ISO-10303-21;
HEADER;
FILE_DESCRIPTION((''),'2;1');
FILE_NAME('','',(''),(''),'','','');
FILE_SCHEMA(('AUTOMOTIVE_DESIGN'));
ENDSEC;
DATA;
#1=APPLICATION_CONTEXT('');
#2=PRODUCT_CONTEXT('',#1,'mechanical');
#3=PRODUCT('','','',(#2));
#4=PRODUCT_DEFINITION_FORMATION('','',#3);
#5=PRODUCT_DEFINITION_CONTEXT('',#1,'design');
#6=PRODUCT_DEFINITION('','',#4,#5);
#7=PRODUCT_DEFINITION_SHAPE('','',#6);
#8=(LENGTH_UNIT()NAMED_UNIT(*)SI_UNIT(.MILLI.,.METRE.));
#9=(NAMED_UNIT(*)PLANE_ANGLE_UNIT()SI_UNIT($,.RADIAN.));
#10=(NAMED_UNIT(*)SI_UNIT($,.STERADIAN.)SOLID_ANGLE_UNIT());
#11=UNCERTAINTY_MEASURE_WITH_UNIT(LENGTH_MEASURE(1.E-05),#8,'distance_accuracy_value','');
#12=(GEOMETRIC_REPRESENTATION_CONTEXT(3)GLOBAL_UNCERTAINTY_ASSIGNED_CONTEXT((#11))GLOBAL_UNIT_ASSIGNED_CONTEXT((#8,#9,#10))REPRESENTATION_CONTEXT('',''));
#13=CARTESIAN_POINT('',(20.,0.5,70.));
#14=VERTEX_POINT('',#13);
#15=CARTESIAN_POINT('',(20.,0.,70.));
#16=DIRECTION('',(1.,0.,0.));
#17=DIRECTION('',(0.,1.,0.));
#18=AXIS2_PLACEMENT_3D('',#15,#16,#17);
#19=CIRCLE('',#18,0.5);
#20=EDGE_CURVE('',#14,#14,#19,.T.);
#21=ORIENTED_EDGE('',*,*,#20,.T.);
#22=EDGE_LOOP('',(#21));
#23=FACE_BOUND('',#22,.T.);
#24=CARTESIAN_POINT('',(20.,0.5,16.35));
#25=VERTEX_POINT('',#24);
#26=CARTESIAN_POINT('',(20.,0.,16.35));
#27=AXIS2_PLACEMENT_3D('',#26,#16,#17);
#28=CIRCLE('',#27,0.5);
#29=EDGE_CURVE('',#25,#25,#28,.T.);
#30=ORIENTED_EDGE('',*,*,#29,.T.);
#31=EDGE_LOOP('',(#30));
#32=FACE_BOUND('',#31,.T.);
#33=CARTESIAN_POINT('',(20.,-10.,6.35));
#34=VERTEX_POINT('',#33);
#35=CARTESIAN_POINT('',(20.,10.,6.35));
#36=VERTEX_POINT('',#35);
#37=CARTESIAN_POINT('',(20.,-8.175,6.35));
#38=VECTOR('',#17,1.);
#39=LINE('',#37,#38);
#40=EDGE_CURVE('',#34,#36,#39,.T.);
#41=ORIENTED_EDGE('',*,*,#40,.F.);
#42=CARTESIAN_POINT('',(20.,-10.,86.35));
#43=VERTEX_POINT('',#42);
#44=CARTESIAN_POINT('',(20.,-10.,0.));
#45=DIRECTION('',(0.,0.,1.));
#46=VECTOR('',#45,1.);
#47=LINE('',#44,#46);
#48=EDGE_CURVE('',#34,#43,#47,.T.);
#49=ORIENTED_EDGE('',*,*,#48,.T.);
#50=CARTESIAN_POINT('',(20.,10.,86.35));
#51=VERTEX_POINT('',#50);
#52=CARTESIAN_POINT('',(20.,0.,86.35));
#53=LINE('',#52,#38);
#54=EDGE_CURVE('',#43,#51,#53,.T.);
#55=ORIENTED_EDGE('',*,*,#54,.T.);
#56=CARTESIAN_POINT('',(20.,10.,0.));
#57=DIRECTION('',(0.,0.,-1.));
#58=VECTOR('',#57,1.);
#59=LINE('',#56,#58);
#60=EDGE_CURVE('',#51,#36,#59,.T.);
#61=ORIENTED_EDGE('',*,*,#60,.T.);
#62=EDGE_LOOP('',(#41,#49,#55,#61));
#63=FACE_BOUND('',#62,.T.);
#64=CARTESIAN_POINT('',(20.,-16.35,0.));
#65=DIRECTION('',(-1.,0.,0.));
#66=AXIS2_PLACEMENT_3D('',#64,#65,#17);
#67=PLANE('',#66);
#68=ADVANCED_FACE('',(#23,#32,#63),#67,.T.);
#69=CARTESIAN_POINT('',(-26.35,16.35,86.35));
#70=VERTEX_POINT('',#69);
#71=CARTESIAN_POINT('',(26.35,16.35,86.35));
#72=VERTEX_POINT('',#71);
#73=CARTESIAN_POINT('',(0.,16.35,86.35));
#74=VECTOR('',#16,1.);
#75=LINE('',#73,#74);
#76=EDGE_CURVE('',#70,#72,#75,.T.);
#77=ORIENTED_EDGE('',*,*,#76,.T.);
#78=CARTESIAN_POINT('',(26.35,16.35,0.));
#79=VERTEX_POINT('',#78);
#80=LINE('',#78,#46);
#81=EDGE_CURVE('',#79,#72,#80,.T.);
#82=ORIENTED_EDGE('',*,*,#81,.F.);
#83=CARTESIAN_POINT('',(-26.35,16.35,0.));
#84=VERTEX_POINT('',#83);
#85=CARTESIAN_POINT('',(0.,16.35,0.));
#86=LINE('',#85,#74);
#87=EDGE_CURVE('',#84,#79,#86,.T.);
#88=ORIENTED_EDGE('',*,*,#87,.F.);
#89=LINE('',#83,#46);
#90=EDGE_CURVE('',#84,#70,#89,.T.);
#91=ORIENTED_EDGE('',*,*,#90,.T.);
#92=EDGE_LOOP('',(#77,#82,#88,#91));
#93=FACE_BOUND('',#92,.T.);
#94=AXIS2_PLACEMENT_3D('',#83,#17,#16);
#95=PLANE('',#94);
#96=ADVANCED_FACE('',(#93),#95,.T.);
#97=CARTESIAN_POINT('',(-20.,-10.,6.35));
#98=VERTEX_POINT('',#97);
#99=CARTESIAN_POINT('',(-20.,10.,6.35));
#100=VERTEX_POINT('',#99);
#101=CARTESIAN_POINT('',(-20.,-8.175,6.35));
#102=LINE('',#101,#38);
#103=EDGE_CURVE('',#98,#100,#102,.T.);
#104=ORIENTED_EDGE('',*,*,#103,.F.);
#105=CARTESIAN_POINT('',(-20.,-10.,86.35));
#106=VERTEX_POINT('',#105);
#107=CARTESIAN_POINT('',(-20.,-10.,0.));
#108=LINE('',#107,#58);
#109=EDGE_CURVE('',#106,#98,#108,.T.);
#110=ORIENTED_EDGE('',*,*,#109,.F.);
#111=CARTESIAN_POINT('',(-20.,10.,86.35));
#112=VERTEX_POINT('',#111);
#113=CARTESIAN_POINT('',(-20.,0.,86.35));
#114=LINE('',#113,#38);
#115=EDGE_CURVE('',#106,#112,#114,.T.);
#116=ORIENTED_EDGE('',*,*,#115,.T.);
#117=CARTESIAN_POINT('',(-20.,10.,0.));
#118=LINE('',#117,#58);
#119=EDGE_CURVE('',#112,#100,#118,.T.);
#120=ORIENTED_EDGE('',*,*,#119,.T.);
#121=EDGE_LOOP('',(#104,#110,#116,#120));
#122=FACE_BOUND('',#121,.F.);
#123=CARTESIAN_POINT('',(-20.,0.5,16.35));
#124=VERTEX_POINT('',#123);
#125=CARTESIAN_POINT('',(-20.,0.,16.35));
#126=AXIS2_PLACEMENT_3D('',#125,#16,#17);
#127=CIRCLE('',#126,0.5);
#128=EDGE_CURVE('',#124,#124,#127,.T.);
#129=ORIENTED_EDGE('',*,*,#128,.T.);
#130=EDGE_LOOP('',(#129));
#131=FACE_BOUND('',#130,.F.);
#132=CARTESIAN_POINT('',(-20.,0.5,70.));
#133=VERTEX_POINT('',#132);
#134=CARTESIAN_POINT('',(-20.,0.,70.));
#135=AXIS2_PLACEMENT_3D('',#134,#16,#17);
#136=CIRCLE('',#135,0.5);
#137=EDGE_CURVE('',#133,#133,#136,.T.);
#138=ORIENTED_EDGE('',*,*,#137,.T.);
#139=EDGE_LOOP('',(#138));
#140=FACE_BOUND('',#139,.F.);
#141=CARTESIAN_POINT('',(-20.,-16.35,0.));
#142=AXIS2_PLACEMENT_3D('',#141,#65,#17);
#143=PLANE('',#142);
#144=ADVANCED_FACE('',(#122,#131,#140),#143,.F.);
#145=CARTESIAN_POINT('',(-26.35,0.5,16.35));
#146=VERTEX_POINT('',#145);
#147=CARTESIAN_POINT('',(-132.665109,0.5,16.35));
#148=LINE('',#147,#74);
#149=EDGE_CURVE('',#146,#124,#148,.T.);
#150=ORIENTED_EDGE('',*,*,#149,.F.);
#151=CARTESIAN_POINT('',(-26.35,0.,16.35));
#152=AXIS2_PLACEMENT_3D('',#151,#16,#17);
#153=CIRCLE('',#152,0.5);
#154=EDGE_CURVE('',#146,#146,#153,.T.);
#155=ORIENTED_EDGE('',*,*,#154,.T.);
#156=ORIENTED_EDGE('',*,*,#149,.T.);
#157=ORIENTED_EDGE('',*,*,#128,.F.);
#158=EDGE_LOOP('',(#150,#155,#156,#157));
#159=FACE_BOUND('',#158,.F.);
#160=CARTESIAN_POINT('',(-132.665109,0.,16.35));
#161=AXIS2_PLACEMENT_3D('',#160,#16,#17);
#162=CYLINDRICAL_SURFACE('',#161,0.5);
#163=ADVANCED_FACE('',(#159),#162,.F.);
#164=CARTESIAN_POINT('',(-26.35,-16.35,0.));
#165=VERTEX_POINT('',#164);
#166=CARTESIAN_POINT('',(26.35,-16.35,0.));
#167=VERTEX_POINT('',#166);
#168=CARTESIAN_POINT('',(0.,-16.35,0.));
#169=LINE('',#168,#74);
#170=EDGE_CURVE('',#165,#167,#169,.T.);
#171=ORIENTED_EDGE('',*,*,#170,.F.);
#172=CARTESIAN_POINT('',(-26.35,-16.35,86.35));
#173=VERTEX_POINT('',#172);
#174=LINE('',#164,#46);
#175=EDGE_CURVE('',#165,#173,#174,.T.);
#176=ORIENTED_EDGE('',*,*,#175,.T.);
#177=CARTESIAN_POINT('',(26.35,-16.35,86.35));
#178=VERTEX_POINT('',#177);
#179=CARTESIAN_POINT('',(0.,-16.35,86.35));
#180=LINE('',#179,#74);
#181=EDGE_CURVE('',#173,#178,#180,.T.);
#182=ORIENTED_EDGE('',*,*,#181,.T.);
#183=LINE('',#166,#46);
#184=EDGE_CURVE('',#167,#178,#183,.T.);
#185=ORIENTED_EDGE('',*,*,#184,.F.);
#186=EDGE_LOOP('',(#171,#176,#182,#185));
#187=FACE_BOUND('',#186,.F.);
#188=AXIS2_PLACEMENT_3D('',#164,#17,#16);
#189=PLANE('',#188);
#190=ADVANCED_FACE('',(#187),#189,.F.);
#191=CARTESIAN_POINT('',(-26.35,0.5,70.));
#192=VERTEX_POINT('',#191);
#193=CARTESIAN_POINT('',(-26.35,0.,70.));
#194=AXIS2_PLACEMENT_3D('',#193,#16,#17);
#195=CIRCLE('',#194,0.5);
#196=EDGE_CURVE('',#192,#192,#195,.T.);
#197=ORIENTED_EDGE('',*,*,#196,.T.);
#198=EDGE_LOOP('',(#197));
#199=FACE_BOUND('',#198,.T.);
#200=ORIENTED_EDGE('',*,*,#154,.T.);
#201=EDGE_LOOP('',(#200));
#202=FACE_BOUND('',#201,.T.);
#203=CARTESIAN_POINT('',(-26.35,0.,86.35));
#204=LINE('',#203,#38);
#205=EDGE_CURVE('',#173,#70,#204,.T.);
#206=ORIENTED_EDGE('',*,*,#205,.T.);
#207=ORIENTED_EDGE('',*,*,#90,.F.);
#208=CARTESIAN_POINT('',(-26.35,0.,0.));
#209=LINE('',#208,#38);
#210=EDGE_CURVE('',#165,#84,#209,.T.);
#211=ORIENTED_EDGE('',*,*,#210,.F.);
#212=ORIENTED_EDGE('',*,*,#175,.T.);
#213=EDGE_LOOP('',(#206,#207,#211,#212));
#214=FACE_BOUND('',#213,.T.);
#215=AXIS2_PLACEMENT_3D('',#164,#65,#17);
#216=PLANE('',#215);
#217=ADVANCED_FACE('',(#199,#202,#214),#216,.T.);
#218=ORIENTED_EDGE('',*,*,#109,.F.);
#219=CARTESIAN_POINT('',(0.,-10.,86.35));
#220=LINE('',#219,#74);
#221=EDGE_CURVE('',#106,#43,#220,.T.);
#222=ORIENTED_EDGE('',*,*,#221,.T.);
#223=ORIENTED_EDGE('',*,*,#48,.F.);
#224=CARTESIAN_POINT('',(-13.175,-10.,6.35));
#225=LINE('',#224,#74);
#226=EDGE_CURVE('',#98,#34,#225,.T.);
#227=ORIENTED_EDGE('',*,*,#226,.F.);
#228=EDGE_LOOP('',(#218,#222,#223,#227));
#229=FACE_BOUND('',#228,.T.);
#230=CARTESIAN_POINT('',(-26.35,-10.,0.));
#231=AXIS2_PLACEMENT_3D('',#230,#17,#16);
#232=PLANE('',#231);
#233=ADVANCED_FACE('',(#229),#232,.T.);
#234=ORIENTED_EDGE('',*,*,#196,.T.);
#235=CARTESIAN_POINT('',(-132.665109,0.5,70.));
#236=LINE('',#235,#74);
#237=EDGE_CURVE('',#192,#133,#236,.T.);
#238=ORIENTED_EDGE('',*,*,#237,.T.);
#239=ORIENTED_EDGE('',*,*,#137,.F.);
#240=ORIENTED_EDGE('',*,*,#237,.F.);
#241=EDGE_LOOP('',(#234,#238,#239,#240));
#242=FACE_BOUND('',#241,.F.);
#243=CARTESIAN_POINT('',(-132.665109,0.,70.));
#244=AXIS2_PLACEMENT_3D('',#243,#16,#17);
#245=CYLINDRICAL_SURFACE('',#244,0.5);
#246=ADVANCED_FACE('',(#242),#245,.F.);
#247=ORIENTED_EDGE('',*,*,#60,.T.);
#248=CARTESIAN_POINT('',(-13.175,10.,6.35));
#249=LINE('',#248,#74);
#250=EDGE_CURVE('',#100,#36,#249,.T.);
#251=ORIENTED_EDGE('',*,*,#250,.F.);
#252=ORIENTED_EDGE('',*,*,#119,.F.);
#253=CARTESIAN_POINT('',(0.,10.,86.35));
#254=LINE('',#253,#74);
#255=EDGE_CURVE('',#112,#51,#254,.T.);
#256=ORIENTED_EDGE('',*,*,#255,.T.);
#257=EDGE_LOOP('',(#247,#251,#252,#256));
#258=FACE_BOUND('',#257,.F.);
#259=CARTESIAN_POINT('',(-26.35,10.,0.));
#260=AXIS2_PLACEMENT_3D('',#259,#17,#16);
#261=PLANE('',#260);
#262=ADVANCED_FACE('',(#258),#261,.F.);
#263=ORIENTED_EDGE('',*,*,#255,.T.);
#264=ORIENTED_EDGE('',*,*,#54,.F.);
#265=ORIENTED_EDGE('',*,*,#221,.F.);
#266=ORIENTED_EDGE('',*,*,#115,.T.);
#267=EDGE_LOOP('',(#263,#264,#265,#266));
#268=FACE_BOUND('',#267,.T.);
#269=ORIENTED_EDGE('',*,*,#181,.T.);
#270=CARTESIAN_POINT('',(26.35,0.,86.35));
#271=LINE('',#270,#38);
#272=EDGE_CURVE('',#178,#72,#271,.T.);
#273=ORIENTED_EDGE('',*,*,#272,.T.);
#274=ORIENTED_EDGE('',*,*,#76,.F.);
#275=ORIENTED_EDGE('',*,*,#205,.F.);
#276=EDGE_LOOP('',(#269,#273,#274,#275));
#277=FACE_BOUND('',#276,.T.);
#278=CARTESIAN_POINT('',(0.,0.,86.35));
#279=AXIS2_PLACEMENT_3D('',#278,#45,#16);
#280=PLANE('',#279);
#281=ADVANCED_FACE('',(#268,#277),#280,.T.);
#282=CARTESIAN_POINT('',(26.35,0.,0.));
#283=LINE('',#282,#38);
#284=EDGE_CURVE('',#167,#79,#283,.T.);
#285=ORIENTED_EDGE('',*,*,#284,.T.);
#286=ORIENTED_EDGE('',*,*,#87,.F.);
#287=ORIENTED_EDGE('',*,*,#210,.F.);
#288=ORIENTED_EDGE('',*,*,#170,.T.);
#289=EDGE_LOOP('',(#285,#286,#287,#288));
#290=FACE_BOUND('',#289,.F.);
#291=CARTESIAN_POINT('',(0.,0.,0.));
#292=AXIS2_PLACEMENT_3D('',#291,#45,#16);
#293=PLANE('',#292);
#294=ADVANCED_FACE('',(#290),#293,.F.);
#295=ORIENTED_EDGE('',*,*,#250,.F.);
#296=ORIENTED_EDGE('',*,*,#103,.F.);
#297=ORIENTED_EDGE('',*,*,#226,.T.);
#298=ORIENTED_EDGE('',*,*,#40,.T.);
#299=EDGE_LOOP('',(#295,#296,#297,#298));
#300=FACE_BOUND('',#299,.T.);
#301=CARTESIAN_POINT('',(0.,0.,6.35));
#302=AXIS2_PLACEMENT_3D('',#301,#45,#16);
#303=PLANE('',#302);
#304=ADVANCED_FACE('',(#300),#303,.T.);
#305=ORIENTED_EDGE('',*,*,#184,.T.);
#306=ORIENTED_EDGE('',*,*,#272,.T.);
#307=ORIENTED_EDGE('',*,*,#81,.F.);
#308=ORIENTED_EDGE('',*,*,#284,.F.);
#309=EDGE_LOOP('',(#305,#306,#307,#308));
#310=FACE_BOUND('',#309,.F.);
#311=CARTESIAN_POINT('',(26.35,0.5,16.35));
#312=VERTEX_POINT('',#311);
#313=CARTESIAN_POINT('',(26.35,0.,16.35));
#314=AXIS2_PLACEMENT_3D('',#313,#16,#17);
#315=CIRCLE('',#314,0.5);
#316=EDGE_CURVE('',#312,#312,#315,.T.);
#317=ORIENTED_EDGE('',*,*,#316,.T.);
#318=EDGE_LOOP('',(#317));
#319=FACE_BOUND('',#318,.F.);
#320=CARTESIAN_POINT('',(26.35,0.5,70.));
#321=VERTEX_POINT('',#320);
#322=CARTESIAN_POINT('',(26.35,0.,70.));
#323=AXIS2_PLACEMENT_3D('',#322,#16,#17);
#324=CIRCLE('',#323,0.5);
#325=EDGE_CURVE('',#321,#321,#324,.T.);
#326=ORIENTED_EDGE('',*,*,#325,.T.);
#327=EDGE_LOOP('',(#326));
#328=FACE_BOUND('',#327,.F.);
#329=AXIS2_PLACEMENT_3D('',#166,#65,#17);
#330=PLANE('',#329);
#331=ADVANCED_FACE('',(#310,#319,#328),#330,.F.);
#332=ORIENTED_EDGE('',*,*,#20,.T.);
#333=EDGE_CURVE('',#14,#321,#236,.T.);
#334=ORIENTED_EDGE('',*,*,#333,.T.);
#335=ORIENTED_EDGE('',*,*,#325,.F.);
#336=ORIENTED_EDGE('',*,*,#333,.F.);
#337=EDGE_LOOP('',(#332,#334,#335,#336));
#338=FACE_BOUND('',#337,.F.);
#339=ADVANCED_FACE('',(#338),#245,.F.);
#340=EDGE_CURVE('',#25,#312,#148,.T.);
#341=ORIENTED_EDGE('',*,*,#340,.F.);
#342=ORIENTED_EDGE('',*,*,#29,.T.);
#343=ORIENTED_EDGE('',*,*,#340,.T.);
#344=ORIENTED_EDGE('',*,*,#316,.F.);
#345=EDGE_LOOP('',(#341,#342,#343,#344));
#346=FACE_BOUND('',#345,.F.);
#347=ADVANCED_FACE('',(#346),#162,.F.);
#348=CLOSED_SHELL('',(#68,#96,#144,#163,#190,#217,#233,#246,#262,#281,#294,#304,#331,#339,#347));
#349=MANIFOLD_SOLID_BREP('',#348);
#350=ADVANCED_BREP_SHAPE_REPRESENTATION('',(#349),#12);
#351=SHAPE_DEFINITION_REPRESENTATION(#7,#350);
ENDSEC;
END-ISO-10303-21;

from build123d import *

# Parameters (mm, degrees)
F0_W     = 52.7
F0_H     = 32.7
F1_DEPTH = 86.35
F2_T     = -6.35
F4_D     = 1
F5_D     = 1


with BuildPart() as f1:
    # F0 (on Top) → F1 (new body)
    with BuildSketch(Plane.XY):
        Rectangle(F0_W, F0_H)
    extrude(amount=F1_DEPTH)

    # F2
    f2_openings = [f1.faces().sort_by_distance(p)[0] for p in [
        (0, 0, 86.35),
    ]]
    offset(amount=F2_T, openings=f2_openings)

    # F4 (through all)
    with Locations(Plane(origin=(-26.35, 0, 0), x_dir=(0, -1, 0), z_dir=(-1, 0, 0))):
        with Locations((0, 70)):
            Hole(F4_D / 2)

    # F5 (through all)
    with Locations(Plane(origin=(-26.35, 0, 0), x_dir=(0, -1, 0), z_dir=(-1, 0, 0))):
        with Locations((0, 16.35)):
            Hole(F5_D / 2)


solid = f1.part
